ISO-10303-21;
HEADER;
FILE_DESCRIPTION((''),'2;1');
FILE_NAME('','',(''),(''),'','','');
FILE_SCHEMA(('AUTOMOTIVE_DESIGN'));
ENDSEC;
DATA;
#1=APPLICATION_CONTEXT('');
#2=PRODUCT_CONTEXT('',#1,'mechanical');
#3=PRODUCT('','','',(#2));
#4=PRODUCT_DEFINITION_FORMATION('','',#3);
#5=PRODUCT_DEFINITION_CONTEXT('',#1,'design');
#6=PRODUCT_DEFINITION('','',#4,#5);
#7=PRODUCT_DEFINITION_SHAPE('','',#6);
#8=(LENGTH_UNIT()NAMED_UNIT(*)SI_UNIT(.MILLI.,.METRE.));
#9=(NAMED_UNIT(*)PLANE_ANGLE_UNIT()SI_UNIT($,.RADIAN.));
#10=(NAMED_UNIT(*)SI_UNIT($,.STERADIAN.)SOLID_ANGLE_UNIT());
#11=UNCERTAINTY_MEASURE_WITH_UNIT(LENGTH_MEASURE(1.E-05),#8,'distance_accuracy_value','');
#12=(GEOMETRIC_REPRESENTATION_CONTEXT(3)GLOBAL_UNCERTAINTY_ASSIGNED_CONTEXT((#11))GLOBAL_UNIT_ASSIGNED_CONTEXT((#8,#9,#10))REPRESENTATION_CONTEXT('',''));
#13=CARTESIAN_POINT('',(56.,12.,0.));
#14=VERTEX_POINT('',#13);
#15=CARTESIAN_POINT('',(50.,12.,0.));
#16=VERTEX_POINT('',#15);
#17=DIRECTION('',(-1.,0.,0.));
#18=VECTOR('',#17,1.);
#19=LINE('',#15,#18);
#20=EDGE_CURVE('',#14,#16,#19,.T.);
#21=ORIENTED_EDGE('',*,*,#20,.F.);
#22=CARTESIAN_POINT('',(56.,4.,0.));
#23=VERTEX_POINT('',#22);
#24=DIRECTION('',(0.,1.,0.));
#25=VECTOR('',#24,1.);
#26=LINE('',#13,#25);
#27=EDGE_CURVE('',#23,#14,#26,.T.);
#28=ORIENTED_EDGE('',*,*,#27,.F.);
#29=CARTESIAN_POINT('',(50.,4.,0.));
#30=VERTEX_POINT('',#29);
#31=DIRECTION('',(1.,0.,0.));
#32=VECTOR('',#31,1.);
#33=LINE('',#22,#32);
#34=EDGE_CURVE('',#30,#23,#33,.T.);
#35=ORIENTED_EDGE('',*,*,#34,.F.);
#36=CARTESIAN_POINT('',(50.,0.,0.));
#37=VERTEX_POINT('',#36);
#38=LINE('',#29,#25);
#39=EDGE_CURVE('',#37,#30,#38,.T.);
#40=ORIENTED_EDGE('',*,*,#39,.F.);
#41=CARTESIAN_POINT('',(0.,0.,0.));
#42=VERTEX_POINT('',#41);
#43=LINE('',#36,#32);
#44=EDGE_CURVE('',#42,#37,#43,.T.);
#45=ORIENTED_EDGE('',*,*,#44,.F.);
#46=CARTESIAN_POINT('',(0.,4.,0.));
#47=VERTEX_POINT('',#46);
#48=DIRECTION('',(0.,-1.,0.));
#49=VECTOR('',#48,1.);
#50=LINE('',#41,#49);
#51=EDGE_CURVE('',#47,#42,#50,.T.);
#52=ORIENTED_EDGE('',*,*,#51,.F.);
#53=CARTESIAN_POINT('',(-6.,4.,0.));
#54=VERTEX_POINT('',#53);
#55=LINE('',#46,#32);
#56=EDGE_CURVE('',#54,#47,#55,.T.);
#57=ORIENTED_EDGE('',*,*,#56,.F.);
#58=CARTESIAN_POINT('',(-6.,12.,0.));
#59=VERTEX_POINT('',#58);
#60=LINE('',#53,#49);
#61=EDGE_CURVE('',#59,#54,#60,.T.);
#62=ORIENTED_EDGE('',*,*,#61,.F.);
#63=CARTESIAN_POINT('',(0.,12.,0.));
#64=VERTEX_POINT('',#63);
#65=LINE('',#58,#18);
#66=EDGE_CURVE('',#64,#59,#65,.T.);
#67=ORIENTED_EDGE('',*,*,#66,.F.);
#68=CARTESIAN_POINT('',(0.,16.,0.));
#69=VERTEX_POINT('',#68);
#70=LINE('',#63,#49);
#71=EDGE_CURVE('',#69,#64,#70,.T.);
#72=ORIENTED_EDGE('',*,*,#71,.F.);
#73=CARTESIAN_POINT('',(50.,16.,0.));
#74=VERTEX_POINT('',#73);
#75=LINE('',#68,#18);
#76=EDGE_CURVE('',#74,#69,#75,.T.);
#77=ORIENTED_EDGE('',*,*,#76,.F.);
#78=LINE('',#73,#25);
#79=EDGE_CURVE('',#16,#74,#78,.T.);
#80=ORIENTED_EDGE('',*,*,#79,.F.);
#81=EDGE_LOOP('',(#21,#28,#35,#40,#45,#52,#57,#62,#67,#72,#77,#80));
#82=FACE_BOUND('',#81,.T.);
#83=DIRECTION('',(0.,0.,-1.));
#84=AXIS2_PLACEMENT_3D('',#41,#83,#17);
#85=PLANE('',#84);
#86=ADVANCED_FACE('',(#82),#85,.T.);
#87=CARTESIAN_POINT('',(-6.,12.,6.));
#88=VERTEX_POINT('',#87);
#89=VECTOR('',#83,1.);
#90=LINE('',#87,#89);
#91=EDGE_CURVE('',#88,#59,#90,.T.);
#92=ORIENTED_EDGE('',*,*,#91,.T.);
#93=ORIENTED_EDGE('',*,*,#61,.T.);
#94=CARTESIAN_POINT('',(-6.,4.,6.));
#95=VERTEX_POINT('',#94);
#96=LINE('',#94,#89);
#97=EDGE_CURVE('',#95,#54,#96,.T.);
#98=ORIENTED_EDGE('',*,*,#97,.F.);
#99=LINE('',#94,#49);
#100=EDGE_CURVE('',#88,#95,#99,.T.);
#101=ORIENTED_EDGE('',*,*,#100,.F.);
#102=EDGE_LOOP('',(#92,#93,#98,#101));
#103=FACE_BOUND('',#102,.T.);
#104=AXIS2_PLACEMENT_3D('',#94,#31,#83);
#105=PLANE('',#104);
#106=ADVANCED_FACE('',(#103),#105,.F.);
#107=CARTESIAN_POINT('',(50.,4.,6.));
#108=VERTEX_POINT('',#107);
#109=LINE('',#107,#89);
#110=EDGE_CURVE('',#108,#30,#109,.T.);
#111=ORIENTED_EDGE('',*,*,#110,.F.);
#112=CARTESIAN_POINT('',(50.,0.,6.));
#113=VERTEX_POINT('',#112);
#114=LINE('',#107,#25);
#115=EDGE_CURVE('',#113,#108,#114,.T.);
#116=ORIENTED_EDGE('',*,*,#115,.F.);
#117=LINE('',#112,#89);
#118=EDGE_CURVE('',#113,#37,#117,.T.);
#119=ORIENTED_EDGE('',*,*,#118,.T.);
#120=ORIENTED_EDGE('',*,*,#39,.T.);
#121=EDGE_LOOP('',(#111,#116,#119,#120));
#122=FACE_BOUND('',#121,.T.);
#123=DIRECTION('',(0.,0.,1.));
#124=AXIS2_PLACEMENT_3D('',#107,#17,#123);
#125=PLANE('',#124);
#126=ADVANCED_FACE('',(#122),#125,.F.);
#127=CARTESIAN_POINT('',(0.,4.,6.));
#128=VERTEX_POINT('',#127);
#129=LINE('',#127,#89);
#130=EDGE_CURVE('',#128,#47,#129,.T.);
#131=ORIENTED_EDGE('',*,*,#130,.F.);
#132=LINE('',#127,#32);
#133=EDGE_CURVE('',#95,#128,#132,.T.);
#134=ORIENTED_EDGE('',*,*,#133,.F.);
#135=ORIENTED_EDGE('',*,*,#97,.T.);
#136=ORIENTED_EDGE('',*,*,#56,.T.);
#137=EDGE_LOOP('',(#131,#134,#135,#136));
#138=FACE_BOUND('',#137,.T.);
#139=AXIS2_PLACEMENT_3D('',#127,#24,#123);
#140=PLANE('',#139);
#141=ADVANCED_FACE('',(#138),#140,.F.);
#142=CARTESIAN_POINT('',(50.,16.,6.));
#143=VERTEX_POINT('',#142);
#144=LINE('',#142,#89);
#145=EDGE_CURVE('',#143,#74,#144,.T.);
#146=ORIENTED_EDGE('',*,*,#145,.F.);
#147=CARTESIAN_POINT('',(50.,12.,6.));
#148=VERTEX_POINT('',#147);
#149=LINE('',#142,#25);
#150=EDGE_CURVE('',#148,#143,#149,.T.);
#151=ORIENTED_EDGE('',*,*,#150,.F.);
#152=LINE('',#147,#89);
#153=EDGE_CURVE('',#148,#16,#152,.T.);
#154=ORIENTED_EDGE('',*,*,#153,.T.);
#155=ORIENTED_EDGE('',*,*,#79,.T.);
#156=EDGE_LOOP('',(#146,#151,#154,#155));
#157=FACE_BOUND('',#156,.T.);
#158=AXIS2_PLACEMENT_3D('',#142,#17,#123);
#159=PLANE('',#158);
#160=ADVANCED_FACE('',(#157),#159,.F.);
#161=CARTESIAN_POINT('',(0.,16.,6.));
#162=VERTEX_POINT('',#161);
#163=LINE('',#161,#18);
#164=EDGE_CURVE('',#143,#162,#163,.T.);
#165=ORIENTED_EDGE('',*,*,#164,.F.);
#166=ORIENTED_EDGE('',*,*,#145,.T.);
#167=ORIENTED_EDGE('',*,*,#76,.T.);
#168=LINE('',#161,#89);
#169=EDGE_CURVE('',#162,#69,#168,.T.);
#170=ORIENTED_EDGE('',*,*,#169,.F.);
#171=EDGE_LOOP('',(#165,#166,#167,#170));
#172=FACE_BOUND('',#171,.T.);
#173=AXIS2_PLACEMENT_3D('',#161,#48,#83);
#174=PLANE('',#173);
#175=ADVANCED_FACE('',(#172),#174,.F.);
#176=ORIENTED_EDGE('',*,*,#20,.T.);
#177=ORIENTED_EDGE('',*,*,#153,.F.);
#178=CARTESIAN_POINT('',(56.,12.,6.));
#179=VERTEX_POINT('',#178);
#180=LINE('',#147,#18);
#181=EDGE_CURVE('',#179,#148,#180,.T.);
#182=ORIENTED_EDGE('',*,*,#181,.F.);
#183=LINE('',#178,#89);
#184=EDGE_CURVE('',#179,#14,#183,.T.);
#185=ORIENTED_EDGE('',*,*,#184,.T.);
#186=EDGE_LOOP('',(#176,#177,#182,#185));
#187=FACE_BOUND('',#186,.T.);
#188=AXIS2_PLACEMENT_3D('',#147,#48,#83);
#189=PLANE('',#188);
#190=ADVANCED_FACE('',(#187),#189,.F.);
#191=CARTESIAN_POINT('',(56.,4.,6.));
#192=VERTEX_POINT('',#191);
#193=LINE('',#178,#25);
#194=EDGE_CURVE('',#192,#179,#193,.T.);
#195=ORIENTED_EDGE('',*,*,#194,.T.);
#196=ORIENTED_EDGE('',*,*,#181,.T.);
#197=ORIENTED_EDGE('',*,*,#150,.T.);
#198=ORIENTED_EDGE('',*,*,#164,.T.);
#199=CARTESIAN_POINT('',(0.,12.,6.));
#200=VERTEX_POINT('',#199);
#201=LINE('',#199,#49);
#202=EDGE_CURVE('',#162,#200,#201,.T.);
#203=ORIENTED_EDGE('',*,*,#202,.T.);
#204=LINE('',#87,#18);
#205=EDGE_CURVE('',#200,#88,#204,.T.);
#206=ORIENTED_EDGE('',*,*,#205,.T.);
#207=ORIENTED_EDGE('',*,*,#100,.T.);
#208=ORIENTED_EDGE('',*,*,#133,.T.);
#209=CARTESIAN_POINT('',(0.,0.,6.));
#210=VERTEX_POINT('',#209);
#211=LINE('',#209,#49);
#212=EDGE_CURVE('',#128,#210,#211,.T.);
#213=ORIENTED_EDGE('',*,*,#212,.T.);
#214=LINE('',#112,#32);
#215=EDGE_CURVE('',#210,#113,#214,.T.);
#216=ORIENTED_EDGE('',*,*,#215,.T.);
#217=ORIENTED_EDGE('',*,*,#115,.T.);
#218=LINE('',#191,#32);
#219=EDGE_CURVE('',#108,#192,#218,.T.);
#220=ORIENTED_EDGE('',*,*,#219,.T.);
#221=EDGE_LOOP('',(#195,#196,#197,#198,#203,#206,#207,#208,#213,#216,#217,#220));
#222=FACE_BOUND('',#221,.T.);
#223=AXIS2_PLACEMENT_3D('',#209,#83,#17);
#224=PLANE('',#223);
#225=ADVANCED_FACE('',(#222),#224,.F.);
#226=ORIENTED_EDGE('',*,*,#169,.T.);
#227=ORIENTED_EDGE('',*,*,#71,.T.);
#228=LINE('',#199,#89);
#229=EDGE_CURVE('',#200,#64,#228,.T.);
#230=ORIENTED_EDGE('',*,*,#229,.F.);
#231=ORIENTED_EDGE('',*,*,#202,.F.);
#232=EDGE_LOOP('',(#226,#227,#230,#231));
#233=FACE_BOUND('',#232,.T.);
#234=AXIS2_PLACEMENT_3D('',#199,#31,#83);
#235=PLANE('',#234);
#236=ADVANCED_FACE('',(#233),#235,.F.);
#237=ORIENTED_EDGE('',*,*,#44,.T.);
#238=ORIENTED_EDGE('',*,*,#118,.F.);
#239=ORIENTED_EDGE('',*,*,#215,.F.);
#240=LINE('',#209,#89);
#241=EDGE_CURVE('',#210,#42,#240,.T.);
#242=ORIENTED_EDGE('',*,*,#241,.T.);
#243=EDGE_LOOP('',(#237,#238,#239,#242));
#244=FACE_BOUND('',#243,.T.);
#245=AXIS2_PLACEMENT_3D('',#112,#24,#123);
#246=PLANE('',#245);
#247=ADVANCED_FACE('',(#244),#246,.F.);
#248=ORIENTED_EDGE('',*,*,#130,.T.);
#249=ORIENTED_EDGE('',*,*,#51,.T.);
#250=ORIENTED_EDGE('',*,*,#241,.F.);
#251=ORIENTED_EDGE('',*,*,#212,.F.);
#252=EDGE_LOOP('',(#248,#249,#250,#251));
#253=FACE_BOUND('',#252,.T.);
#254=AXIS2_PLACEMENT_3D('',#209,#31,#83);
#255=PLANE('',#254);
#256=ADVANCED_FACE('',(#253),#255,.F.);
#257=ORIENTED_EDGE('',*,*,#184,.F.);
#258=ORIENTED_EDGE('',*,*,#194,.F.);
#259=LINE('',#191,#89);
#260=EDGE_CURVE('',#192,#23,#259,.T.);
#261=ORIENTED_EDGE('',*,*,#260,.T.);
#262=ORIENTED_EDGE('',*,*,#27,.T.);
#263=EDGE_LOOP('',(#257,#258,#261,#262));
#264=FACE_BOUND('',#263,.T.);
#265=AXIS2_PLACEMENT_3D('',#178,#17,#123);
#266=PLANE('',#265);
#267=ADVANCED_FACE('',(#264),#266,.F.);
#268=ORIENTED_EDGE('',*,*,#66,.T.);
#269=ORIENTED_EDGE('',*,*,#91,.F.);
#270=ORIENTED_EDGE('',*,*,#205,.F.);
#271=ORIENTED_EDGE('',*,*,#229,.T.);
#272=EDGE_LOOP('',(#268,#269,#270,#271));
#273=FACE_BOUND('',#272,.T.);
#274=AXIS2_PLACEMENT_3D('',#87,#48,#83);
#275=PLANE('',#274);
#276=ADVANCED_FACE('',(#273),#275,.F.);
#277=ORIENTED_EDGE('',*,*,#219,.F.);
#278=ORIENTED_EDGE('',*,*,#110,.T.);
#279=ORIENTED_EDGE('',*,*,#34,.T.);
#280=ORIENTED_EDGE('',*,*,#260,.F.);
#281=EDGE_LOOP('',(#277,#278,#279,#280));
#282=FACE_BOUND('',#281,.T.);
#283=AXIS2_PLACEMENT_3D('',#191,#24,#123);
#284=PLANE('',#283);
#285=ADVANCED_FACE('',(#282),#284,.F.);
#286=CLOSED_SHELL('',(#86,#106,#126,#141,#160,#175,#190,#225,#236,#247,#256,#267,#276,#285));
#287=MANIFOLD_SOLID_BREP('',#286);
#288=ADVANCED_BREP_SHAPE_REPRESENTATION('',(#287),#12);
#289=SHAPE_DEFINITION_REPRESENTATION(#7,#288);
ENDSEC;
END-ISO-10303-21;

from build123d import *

# Parameters (mm, degrees)
BOSS_EXTRU_1_DEPTH = 6


with BuildPart() as part:
    # Esquisse1 → Boss.-Extru.1 (new body)
    with BuildSketch(Plane.XY):
        Polygon((0, 0), (0, 4), (-6, 4), (-6, 12), (0, 12), (0, 16), (50, 16), (50, 12), (56, 12), (56, 4), (50, 4), (50, 0), align=None)
    extrude(amount=BOSS_EXTRU_1_DEPTH)


solid = part.part
